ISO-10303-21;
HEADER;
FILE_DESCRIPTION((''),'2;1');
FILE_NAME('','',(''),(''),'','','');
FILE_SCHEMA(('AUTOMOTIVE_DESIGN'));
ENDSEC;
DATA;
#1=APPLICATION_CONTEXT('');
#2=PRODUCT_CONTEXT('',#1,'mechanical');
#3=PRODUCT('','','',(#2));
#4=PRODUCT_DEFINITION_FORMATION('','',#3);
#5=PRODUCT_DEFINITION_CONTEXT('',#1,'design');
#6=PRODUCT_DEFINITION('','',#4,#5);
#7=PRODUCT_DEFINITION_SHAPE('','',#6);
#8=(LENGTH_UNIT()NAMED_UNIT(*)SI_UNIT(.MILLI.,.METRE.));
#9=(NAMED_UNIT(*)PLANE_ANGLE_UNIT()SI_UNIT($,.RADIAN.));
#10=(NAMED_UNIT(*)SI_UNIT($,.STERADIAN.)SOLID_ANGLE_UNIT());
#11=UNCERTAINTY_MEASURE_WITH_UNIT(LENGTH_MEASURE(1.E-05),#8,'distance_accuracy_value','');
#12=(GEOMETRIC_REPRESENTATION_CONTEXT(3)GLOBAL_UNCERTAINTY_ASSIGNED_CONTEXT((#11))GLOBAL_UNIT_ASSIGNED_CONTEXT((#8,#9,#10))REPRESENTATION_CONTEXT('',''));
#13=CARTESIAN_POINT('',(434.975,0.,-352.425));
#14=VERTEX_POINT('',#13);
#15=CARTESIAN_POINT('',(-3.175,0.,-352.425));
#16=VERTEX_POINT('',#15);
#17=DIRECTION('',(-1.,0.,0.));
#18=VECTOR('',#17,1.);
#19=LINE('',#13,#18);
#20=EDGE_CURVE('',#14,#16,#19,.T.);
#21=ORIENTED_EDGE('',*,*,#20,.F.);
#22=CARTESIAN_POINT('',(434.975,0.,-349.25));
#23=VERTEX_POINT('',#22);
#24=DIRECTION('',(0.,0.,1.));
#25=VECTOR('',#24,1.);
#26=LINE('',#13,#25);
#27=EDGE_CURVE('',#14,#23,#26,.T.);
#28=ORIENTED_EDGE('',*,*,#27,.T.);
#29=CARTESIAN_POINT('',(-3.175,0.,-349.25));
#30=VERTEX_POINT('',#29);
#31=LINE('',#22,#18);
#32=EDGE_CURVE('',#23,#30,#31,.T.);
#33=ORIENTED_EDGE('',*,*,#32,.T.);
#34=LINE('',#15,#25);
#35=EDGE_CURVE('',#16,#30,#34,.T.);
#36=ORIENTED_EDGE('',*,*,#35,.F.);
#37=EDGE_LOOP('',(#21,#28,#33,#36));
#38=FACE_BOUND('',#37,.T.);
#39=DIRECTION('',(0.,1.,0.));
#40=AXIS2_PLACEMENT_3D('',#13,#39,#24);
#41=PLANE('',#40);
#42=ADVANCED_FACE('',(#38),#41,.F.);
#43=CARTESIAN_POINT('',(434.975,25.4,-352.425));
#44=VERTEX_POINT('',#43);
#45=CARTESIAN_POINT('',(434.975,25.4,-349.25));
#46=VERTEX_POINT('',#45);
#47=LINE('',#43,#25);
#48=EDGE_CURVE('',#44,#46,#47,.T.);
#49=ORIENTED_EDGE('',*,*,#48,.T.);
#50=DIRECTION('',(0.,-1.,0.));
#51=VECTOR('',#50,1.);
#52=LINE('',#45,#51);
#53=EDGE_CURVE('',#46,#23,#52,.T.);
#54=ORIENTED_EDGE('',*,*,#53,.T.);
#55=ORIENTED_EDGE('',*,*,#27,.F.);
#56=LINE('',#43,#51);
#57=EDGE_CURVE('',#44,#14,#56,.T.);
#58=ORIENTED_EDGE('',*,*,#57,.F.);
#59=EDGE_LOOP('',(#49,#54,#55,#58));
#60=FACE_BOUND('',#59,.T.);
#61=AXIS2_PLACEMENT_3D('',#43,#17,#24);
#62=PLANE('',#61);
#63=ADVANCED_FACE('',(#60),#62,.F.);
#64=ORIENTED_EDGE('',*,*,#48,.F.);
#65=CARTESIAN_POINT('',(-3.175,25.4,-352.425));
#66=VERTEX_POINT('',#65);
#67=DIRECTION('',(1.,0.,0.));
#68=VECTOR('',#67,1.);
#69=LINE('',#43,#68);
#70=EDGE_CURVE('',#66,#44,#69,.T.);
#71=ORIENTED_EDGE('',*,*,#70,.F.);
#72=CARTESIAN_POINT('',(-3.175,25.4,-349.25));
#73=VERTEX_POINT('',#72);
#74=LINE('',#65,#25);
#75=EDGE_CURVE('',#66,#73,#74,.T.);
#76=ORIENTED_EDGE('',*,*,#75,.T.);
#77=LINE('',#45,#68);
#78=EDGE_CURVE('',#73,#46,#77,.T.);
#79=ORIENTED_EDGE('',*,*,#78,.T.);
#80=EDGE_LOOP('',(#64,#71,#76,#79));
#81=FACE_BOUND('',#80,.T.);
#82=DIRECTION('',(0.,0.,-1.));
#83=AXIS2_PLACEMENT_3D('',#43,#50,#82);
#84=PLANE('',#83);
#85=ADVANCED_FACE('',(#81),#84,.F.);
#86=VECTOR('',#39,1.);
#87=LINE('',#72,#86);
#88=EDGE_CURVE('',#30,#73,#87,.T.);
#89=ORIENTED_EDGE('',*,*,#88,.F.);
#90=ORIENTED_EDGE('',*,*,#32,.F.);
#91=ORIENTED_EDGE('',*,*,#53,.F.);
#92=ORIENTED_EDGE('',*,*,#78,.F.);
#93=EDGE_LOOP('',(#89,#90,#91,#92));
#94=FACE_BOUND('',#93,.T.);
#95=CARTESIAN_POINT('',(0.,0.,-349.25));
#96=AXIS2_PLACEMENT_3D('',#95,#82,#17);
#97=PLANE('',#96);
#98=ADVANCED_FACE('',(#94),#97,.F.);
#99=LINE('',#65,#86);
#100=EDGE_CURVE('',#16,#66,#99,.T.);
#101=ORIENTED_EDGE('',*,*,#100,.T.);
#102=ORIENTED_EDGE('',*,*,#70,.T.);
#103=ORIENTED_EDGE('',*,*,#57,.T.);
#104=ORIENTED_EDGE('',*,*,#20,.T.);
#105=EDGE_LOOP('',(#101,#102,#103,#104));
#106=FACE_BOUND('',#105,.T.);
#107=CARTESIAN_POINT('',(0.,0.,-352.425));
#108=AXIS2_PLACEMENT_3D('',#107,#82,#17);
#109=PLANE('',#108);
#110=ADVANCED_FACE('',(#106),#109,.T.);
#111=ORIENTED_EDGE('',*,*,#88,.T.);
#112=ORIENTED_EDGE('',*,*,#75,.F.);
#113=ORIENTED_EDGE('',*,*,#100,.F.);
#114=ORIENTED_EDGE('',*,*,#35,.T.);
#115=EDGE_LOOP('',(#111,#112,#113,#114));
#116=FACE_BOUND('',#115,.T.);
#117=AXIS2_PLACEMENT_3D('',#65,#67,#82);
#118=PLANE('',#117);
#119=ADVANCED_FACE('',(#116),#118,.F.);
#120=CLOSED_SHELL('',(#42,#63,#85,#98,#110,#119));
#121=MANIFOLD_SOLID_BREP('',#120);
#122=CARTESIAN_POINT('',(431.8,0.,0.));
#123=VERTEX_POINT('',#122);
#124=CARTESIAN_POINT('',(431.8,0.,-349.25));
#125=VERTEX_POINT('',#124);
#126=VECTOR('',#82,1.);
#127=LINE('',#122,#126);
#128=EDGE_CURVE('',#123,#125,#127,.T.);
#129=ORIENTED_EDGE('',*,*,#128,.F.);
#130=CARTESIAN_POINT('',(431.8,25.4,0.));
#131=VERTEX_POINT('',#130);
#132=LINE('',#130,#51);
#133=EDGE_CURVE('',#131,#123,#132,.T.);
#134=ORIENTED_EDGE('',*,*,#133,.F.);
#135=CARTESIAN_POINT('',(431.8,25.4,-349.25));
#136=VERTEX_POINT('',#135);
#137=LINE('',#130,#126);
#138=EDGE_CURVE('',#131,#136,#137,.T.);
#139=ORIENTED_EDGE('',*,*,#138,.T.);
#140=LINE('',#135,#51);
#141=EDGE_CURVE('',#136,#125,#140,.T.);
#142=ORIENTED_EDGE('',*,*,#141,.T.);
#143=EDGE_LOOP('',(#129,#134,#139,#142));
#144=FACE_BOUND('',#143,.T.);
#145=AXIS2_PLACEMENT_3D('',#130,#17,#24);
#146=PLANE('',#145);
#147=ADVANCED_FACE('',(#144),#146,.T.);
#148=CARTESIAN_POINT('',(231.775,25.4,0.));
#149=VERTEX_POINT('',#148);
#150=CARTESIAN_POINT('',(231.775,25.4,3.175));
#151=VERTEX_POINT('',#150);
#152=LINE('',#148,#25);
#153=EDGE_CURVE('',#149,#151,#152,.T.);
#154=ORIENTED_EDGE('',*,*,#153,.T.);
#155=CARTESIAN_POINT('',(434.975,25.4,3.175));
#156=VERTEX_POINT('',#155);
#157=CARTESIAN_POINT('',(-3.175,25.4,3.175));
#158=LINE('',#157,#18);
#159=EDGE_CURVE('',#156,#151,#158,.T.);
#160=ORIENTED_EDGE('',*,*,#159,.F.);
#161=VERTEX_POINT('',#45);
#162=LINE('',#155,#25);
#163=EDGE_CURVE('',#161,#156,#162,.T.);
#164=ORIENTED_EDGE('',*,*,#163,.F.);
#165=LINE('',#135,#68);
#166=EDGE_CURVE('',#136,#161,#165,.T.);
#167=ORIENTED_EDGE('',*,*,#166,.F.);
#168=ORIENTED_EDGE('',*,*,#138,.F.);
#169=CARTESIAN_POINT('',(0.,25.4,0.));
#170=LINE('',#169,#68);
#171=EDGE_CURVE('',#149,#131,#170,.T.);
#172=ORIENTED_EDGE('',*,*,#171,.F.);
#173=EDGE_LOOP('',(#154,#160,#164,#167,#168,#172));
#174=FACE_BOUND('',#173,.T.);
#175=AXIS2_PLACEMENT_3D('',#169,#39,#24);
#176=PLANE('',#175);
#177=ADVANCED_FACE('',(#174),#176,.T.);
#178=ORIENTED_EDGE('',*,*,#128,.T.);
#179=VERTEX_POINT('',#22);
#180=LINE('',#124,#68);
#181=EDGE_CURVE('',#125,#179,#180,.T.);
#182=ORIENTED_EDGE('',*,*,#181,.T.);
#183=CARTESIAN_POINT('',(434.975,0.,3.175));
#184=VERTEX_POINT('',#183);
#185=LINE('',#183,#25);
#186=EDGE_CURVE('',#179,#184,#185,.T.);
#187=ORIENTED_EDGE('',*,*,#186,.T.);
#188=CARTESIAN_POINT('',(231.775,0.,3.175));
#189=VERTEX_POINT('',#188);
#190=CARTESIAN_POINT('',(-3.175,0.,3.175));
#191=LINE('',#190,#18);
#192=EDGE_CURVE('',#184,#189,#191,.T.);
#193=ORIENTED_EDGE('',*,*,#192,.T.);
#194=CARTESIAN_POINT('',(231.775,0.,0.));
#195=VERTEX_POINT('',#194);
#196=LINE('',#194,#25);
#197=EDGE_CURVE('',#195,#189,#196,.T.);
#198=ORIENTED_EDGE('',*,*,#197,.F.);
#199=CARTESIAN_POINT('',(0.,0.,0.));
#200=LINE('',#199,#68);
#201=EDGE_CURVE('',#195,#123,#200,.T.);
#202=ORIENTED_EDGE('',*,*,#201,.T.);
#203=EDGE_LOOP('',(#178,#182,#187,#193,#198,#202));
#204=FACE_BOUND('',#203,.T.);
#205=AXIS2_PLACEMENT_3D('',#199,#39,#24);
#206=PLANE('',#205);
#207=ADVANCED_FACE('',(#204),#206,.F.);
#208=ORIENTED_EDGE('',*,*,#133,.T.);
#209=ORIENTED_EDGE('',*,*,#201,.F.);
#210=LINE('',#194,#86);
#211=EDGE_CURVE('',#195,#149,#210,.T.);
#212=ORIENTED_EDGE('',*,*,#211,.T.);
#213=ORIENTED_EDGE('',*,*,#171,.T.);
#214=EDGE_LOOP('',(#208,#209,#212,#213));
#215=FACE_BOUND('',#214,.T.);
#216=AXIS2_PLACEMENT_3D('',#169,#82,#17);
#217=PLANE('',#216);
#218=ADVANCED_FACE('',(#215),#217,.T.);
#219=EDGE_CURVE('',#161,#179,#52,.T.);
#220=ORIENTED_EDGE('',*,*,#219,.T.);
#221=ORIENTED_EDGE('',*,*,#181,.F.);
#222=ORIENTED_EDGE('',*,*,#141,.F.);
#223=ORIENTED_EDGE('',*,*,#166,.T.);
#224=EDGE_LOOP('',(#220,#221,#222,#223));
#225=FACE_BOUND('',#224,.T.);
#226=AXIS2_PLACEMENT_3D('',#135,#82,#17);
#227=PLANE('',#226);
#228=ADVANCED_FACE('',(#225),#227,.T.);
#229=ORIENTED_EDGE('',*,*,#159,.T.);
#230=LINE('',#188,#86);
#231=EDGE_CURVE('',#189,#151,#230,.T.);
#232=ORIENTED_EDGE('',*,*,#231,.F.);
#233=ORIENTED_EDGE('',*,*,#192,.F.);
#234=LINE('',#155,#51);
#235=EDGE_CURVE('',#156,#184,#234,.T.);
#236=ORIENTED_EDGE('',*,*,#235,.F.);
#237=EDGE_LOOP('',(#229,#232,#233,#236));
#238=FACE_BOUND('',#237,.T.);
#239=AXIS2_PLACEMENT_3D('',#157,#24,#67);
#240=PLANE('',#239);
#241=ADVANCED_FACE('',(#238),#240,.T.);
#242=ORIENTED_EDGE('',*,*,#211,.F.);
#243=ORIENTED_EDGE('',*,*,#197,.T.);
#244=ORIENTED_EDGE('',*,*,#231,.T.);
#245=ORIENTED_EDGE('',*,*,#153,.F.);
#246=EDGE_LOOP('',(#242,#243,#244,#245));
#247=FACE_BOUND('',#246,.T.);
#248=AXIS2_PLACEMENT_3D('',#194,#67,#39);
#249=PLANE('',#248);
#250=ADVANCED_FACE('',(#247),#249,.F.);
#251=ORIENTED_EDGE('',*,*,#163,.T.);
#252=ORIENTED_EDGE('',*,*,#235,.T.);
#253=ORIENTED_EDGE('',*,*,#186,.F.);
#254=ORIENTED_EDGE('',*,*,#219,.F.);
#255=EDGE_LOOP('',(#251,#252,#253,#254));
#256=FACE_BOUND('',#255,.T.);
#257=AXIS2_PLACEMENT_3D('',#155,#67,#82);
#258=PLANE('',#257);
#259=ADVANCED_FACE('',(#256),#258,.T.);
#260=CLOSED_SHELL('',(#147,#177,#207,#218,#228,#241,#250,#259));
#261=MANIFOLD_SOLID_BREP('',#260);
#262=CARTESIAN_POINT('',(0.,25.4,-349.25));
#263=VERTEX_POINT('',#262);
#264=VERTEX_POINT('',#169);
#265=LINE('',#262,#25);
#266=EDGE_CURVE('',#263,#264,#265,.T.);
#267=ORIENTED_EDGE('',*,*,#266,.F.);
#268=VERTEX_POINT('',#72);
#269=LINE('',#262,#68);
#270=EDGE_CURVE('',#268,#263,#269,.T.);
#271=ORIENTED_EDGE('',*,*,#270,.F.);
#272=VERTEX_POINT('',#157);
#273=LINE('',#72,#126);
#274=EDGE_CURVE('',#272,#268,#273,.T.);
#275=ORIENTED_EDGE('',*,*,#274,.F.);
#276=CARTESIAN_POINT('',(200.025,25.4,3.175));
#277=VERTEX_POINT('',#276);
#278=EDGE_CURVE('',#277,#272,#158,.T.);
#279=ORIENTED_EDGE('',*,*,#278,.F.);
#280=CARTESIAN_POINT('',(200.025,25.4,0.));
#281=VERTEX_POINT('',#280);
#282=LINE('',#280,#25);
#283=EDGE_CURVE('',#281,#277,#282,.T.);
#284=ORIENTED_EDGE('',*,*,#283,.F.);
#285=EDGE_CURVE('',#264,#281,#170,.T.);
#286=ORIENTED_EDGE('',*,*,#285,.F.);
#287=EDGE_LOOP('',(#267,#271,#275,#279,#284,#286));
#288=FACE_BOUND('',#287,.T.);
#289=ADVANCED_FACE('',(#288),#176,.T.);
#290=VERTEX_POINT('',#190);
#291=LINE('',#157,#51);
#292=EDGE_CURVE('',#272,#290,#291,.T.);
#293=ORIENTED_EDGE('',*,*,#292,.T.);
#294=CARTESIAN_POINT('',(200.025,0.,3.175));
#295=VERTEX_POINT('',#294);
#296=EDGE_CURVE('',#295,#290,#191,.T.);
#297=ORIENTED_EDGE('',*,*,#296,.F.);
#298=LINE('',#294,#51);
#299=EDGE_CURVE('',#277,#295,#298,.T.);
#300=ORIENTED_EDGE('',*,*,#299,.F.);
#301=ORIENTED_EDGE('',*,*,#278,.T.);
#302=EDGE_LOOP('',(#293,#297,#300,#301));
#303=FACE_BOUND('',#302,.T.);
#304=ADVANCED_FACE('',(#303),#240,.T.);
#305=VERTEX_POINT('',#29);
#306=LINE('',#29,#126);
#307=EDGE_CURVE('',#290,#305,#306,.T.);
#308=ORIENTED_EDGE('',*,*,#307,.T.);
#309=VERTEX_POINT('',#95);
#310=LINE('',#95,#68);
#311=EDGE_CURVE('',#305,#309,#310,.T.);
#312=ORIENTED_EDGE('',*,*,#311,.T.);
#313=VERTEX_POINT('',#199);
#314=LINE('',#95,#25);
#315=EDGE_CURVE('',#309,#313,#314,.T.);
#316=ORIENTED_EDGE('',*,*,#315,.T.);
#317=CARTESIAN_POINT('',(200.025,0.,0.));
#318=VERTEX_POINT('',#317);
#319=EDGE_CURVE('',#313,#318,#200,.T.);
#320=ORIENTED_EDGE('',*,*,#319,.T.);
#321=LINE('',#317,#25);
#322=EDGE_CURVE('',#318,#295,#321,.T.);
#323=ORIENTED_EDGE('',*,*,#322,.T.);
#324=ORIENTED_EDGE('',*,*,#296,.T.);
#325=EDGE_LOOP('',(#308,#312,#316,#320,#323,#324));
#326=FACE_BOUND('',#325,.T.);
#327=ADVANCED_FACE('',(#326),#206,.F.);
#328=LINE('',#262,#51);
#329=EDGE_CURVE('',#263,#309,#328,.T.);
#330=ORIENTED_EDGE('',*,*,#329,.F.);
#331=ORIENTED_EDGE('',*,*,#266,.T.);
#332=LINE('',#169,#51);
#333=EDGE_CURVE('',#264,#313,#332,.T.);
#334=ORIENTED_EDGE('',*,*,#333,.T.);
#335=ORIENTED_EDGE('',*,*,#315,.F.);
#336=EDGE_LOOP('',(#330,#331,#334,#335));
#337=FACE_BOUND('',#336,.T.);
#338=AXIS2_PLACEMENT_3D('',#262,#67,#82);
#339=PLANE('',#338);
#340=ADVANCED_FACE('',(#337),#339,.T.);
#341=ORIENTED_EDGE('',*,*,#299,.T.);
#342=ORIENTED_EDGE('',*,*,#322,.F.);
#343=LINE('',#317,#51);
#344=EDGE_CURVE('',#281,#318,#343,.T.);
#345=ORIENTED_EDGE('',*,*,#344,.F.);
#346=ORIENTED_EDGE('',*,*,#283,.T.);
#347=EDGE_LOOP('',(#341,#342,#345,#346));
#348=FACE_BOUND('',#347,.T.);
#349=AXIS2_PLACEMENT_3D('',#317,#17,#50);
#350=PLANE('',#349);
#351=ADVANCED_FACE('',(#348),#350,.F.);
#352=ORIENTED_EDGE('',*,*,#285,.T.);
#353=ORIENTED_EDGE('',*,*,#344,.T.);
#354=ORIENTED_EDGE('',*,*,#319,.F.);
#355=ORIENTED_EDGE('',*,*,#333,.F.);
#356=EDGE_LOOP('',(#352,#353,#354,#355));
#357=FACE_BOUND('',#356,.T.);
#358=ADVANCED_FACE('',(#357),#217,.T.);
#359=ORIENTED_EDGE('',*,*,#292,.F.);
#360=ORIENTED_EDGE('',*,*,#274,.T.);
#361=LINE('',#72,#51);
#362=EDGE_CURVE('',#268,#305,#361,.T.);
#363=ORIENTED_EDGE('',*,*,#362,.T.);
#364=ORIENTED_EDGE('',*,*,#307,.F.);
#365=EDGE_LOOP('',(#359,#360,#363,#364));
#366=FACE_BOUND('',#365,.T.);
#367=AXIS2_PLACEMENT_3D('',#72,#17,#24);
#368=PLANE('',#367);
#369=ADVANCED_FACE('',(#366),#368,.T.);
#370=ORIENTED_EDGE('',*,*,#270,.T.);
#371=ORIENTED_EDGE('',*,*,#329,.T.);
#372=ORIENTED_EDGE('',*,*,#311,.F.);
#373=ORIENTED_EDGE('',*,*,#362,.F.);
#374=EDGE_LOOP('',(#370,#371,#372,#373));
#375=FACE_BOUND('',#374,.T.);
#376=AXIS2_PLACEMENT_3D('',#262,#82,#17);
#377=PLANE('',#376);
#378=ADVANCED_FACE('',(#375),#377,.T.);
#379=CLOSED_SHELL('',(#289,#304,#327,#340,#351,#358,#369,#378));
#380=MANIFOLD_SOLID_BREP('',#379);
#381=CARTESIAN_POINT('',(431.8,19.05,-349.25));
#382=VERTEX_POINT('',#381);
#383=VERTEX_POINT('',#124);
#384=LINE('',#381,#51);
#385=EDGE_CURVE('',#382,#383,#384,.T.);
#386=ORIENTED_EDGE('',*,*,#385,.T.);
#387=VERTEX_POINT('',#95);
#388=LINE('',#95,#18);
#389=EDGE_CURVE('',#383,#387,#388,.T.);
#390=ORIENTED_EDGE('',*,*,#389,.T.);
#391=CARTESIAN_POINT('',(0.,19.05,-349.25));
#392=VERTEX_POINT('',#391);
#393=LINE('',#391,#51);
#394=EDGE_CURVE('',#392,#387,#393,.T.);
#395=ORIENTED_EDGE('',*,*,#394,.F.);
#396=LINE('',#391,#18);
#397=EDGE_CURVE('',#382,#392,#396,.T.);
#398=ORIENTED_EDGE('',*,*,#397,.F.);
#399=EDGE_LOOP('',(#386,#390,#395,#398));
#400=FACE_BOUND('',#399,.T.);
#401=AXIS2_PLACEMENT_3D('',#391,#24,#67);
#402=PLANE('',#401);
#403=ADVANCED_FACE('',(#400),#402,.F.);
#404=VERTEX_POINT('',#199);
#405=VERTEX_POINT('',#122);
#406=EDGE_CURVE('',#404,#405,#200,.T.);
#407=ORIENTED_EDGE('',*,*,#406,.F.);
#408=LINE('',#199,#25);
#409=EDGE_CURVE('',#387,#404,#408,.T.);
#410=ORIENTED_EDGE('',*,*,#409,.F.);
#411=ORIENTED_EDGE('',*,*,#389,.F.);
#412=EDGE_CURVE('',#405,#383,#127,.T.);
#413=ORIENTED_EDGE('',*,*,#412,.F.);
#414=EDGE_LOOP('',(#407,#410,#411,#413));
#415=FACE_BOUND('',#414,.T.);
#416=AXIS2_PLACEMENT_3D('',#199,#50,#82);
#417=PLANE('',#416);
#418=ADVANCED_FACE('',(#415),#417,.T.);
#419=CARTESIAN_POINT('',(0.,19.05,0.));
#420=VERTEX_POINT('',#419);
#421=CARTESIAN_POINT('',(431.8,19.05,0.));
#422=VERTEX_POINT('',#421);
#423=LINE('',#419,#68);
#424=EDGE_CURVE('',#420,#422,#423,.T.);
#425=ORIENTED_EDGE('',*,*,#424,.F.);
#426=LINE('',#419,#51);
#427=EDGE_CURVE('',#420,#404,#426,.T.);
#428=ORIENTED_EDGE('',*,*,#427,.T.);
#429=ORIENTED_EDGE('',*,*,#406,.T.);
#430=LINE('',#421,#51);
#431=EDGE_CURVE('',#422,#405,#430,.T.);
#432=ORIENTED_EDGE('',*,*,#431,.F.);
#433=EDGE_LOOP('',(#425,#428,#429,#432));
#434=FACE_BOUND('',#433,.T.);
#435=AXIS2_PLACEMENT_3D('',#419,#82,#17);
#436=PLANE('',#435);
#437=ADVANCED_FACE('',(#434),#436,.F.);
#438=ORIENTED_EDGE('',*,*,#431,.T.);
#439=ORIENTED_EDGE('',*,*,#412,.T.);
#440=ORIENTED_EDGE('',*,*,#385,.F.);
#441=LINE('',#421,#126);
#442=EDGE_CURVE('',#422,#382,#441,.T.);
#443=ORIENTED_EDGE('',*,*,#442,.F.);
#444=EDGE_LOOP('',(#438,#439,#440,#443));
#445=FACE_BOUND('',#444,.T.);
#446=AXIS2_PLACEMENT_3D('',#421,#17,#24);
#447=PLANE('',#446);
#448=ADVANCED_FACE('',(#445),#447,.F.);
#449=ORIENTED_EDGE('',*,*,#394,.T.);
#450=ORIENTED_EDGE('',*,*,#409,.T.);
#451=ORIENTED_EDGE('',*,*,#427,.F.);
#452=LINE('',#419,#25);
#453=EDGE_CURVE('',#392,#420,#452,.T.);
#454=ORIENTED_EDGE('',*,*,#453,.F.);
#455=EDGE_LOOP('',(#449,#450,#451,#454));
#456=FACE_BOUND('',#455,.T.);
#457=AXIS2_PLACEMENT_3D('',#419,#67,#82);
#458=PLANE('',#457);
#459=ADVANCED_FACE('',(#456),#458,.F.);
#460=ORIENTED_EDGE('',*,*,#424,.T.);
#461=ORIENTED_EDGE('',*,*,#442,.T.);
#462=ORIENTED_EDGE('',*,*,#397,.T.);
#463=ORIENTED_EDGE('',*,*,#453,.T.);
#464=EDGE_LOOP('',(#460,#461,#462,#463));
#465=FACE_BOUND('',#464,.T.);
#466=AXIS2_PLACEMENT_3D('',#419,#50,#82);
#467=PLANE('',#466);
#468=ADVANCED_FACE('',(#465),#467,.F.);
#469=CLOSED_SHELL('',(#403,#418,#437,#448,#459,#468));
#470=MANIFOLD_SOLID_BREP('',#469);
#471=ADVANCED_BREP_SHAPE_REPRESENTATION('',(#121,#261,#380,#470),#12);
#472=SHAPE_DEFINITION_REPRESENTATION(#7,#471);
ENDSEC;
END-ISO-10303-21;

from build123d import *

# Parameters (mm, degrees)
SKETCH1_W           = 431.8
SKETCH1_H           = 349.25
BOSS_EXTRUDE1_DEPTH = 19.05
BOSS_EXTRUDE2_DEPTH = 25.4
SKETCH3_W           = 31.75
SKETCH3_H           = 25.4
CUT_EXTRUDE2_DEPTH  = 3.175
SKETCH4_W           = 438.15
SKETCH4_H           = 25.4
BOSS_EXTRUDE3_DEPTH = 3.175


with BuildPart() as part:
    # Sketch1 → Boss-Extrude1 (new body)
    with BuildSketch(Plane(origin=(0, 0, 0), x_dir=(1, 0, 0), z_dir=(0, 1, 0))):
        with Locations((215.9, 174.625)):
            Rectangle(SKETCH1_W, SKETCH1_H)
    extrude(amount=BOSS_EXTRUDE1_DEPTH)


with BuildPart() as body_2:
    # Sketch2 → Boss-Extrude2 (new body)
    with BuildSketch(Plane.XZ):
        Polygon((0, -349.25), (0, 0), (431.8, 0), (431.8, -349.25), (434.975, -349.25), (434.975, 3.175), (-3.175, 3.175), (-3.175, -349.25), align=None)
    extrude(amount=-BOSS_EXTRUDE2_DEPTH)

    # Sketch3 → Cut-Extrude2 (cut)
    with BuildSketch(Plane.XY.offset(3.175)):
        with Locations((215.9, 12.7)):
            Rectangle(SKETCH3_W, SKETCH3_H)
    extrude(amount=-CUT_EXTRUDE2_DEPTH, mode=Mode.SUBTRACT)


with BuildPart() as cut_extrude2_piece_1:
    # of the separate pieces the step leaves, piece 1, a body of its own (cut_extrude2_pieces)
    add(body_2.part.solids().sort_by_distance((231.775, 0, 0))[0])


with BuildPart() as cut_extrude2_piece_2:
    # of the separate pieces the step leaves, piece 2, a body of its own (cut_extrude2_pieces)
    add(body_2.part.solids().sort_by_distance((0, 0, -349.25))[0])


with BuildPart() as body_4:
    # Sketch4 → Boss-Extrude3 (new body)
    with BuildSketch(Plane(origin=(0, 0, -349.25), x_dir=(-1, 0, 0), z_dir=(0, 0, -1))):
        with Locations((-215.9, 12.7)):
            Rectangle(SKETCH4_W, SKETCH4_H)
    extrude(amount=BOSS_EXTRUDE3_DEPTH)


solid = Compound([part.part, cut_extrude2_piece_1.part, cut_extrude2_piece_2.part, body_4.part])
